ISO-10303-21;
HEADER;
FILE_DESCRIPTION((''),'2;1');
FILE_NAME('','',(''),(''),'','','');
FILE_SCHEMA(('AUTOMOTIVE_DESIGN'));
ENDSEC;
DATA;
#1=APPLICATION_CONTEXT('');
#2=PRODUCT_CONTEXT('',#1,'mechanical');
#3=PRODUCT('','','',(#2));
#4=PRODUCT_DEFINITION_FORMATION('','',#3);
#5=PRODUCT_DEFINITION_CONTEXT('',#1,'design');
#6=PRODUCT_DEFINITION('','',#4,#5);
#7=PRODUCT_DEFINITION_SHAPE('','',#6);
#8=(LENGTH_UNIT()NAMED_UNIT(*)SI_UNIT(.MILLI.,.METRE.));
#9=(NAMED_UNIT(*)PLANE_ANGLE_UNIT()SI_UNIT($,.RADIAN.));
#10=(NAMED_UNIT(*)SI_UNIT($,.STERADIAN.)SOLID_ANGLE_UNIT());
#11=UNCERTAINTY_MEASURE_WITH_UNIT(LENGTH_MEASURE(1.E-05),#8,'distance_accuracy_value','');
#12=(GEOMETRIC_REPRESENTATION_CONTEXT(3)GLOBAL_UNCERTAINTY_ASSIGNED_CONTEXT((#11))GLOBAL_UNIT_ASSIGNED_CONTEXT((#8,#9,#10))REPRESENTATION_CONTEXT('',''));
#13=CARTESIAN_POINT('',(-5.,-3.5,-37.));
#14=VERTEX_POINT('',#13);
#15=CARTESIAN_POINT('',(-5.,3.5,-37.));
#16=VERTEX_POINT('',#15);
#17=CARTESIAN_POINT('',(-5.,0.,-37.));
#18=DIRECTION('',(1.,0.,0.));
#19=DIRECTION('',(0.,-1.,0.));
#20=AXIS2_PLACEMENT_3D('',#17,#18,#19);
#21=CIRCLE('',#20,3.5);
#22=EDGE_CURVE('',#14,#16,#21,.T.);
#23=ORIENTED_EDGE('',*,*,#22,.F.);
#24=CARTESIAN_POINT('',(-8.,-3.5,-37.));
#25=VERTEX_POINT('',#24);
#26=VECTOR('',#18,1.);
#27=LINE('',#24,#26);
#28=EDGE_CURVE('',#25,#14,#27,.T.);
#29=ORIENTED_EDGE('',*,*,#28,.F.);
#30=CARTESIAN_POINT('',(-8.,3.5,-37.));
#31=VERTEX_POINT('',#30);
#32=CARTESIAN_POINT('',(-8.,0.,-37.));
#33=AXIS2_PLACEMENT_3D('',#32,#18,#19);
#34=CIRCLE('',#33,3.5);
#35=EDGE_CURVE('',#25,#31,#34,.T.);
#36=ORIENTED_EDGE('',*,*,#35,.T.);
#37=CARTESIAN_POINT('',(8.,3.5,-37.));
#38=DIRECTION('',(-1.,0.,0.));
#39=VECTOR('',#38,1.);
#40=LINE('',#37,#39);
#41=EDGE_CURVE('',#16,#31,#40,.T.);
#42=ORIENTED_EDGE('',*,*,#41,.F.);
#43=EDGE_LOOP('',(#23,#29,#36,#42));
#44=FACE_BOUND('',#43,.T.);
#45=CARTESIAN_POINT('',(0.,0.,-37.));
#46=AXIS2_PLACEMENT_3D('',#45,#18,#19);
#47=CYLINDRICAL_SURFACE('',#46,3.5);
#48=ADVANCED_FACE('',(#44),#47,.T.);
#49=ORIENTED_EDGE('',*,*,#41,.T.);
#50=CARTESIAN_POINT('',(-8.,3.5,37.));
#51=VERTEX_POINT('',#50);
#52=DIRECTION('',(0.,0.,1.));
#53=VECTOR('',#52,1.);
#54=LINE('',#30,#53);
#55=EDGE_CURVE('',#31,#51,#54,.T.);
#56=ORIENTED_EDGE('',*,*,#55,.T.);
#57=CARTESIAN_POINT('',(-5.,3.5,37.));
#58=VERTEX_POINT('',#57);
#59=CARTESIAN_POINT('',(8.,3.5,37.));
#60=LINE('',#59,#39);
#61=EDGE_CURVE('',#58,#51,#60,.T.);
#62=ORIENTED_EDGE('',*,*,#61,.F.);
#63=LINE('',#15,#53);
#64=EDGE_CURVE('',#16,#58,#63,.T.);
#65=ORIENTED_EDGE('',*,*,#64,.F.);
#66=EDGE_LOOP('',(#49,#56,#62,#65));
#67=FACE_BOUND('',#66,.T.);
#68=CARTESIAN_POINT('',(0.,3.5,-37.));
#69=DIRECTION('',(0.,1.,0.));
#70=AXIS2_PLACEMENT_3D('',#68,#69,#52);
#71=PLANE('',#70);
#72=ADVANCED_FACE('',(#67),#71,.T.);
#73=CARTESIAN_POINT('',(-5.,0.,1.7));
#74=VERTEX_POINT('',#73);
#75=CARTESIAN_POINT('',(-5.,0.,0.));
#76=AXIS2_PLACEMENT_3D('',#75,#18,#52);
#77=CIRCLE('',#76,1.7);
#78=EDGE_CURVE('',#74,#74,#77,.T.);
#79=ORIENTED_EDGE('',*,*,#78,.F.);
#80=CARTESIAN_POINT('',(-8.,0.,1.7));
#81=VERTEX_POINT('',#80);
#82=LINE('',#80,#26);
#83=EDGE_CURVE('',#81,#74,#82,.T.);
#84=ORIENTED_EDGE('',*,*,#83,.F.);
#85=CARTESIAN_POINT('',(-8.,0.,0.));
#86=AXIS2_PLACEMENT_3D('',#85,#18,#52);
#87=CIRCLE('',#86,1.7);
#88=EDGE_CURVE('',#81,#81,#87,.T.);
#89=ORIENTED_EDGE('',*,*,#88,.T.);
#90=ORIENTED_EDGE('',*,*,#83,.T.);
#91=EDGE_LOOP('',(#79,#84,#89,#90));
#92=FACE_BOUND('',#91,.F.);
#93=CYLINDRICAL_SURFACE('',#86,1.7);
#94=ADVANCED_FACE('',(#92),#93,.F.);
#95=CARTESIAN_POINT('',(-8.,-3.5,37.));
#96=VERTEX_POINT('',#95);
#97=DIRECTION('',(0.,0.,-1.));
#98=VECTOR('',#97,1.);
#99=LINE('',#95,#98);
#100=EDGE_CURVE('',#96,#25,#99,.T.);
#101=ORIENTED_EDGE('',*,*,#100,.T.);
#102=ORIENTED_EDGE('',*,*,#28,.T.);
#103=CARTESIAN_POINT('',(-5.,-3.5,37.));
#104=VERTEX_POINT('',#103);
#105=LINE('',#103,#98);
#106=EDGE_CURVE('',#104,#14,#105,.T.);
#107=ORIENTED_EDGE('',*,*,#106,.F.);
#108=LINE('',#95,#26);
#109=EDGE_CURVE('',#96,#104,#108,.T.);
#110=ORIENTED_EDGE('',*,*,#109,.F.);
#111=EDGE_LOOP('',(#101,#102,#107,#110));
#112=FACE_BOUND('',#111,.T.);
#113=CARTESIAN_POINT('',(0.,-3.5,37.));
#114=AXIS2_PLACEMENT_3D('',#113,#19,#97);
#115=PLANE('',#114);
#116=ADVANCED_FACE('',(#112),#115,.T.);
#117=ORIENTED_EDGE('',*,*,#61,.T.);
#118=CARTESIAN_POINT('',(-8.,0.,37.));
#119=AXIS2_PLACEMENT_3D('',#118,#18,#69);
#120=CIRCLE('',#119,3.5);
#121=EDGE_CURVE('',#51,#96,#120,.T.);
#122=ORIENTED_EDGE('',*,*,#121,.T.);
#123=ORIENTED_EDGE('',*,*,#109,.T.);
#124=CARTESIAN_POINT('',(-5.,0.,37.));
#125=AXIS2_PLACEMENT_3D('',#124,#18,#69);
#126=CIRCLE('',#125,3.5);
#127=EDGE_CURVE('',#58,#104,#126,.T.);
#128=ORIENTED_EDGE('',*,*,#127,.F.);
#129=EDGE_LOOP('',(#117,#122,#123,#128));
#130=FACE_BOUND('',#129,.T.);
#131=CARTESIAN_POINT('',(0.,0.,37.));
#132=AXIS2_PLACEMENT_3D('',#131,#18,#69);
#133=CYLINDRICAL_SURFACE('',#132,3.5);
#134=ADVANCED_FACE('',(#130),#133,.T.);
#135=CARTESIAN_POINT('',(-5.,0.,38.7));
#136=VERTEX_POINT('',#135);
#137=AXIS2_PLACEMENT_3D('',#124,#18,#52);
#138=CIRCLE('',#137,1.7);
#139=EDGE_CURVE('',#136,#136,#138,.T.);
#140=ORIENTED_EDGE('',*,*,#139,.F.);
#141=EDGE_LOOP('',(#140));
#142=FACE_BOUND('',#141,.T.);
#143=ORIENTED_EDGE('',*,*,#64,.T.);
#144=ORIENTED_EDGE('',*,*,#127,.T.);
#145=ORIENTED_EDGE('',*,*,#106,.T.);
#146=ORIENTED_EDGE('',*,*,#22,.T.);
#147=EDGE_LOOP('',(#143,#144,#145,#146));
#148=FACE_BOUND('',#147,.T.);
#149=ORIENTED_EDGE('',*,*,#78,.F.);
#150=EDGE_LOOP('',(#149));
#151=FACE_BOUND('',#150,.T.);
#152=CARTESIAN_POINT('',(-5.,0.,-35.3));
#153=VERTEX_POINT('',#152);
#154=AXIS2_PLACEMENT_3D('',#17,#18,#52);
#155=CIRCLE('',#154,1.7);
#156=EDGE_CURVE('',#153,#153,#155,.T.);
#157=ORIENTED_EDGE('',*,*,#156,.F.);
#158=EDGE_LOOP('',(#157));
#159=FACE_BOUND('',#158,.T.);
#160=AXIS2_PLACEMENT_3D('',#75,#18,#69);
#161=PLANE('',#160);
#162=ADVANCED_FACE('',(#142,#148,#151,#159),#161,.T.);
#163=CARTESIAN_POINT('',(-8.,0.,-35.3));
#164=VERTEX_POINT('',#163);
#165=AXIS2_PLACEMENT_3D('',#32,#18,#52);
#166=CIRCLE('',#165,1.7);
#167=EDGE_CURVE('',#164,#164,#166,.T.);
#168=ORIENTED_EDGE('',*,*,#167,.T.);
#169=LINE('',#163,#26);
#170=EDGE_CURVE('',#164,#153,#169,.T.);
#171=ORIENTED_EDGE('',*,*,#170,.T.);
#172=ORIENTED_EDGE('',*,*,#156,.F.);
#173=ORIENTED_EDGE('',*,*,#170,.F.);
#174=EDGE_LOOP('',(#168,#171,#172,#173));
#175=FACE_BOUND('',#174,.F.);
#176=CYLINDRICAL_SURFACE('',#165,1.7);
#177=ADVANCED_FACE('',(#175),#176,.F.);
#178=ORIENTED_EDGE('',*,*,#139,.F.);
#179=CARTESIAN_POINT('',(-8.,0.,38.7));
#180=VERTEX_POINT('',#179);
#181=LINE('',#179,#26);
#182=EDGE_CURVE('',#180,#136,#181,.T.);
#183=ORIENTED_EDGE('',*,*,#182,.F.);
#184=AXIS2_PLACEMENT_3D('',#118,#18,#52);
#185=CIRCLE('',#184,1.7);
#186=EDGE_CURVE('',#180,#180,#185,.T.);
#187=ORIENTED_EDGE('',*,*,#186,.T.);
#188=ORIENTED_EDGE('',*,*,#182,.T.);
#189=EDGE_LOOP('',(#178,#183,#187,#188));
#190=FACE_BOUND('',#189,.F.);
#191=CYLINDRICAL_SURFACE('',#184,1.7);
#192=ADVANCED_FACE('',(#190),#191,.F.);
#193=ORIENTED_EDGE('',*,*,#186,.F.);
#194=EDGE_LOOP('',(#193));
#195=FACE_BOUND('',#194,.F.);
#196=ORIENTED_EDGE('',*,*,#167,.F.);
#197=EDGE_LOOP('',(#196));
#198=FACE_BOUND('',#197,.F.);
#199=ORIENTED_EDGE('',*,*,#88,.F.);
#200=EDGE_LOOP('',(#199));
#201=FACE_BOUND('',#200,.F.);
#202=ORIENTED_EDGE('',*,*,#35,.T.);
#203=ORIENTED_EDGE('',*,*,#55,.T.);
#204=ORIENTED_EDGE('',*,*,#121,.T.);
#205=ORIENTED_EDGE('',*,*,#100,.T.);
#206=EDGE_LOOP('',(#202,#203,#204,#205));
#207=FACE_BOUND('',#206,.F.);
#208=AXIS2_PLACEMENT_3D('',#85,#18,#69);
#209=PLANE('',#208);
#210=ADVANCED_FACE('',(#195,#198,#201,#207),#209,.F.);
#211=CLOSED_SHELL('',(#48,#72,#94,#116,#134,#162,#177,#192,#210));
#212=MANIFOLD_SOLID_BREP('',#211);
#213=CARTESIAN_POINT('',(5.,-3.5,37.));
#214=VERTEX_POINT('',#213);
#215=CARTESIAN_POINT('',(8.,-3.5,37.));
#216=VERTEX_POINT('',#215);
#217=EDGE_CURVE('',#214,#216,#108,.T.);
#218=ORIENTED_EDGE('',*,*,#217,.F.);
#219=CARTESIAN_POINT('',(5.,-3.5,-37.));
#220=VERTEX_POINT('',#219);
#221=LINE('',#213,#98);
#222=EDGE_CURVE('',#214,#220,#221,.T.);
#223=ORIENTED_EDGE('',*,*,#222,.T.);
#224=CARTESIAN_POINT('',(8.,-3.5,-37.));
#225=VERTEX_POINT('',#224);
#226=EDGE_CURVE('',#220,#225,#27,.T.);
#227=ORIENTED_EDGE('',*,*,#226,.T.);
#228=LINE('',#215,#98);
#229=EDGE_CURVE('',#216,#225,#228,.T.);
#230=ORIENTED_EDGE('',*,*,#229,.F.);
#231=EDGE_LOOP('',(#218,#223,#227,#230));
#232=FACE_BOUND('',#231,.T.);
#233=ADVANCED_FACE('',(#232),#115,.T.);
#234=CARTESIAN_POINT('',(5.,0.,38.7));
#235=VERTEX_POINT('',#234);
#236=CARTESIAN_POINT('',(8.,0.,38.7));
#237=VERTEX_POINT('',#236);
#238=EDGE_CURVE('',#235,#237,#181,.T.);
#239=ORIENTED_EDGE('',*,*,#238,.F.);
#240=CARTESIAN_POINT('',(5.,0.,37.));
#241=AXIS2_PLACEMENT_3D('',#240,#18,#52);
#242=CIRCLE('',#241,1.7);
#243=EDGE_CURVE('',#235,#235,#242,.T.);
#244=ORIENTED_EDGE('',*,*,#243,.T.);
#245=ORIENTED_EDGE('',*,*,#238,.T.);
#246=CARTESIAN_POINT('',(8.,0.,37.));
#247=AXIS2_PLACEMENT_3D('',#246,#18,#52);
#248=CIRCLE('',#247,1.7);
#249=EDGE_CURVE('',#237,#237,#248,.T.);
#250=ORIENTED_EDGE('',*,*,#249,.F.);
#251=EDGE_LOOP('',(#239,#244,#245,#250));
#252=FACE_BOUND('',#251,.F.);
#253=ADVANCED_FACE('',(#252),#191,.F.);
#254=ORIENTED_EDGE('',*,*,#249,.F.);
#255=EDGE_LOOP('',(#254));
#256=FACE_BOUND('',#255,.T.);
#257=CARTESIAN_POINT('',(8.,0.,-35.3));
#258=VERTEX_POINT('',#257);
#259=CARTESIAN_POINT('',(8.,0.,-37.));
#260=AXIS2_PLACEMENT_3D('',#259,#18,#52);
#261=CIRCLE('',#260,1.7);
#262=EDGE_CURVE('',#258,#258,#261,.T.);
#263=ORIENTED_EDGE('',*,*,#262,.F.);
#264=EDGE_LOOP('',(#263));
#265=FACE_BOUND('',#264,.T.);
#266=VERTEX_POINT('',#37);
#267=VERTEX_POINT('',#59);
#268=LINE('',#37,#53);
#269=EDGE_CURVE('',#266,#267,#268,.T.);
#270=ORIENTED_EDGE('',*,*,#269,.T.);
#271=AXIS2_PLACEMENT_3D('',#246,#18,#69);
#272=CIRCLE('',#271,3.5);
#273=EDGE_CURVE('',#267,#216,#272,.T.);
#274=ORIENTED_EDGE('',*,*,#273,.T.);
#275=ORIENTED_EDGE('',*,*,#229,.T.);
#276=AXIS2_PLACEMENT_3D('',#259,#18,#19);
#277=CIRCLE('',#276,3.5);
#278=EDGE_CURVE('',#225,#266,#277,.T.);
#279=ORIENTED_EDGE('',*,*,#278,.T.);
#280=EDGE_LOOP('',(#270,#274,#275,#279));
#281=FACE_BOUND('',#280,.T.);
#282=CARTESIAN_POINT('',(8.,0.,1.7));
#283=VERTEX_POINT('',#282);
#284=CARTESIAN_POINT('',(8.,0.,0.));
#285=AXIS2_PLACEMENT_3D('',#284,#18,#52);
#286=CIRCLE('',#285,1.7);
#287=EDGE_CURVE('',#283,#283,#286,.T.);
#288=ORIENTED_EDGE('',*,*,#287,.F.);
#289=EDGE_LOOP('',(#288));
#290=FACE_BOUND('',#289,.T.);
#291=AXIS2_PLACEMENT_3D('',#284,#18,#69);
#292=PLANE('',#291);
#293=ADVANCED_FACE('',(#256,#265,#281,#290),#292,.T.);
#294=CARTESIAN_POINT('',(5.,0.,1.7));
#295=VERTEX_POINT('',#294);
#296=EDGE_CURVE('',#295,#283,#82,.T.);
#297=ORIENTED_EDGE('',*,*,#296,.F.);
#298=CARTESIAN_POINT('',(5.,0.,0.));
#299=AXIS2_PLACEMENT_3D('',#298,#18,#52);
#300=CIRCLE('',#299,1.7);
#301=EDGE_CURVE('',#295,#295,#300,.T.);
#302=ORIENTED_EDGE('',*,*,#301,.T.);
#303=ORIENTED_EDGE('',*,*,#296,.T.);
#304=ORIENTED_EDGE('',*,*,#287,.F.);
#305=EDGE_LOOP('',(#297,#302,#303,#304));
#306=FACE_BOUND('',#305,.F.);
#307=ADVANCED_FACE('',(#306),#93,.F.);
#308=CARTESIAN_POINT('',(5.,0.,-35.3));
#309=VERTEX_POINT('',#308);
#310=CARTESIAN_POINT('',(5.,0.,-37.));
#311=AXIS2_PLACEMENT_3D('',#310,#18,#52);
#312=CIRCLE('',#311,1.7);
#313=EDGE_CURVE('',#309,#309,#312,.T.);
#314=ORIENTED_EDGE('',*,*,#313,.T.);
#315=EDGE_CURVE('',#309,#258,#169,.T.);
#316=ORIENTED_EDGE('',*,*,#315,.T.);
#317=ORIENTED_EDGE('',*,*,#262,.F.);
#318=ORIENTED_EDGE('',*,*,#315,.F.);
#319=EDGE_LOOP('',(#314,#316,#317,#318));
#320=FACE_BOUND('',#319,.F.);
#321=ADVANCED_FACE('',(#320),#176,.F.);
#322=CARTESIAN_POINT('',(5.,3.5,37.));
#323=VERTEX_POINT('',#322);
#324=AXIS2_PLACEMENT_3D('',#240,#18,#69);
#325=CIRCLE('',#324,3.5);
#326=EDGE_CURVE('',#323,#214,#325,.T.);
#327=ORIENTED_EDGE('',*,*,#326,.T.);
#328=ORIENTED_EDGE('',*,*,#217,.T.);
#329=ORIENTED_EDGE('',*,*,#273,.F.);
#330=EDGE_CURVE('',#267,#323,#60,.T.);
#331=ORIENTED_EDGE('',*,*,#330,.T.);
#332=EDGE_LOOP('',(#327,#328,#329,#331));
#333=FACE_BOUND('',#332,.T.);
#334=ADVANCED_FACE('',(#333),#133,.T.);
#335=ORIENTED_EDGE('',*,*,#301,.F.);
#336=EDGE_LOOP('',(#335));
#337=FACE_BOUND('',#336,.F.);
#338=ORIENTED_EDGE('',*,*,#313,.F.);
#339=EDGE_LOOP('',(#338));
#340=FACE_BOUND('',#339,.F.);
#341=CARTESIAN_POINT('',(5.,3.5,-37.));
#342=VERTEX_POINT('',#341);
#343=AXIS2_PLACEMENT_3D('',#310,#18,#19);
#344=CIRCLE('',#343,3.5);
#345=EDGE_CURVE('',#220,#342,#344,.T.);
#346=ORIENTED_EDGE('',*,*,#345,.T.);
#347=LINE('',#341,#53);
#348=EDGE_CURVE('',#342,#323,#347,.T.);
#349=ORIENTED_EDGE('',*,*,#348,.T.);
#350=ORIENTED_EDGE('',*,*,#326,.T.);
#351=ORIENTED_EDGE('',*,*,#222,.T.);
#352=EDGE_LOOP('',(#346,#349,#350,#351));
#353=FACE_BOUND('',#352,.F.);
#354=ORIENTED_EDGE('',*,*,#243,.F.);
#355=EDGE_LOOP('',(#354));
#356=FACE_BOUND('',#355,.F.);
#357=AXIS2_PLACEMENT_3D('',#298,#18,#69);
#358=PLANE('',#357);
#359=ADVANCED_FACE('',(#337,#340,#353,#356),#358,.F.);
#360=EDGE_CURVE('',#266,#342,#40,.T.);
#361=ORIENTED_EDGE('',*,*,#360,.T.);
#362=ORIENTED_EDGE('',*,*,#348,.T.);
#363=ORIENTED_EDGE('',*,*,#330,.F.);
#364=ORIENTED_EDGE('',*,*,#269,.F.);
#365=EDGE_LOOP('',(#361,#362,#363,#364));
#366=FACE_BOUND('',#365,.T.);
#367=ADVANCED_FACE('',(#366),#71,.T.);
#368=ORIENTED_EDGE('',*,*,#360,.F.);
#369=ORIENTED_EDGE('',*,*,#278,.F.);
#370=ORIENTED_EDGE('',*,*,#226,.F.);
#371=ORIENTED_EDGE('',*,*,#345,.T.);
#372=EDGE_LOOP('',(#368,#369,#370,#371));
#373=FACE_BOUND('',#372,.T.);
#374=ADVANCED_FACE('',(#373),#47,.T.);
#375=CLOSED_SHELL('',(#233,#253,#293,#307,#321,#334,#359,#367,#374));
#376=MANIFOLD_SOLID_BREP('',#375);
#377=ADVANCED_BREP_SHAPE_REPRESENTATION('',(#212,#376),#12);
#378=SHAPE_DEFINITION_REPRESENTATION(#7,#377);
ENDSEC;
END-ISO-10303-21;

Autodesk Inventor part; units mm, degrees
ref_plane "YZ Plane" through (0, 0, 0) normal (1, 0, 0) x (0, 1, 0)
ref_plane "XZ Plane" through (0, 0, 0) normal (0, 1, 0) x (-1, 0, 0)
ref_plane "XY Plane" through (0, 0, 0) normal (0, 0, 1) x (1, 0, 0)
sketch "Sketch1" plane through (0, 0, 0) normal (1, 0, 0) x (0, 1, 0)
  line L0 (0, 37) -> (0, -37) construction
  line L1 (-3.5, 37) -> (-3.5, -37)
  line L2 (3.5, -37) -> (3.5, 37)
  arc A0 (3.5, 37) -> (-3.5, 37) centre (0, 37) ccw
  arc A1 (-3.5, -37) -> (3.5, -37) centre (0, -37) ccw
  circle A2 centre (0, -37) radius 1.5
  circle A3 centre (0, 0) radius 1.5
  circle A4 centre (0, 37) radius 1.5
  point P0 (0, 40.5)
  point P1 (0, -40.5)
  dimension "d14" = 7
  dimension "d15" = 81
  dimension "d16" = 3
extrude "Extrusión3" add sketch "Sketch1" along normal mid plane 16 contours A0 L2 A1 L1 | A2 | A3 | A4
extrude "Extrusión4" cut sketch "Sketch1" along normal mid plane 10 contours A0 L2 A1 L1 | A3
sketch "Boceto2" plane through (-8, 0, 0) normal (-1, 0, 0) x (0, 0, 1)
  circle A0 centre (37, 0) radius 1.5 projected
  circle A1 centre (-37, 0) radius 1.5 projected
  point P0 (0, 0)
  point P1 (0, 0)
hole "Agujero1" at (-8, 0, 37) at (-8, 0, -37) at (-8, 0, 0) direction (1, 0, 0) diameter 3.4 end through all clearance for "Tornillo de cabeza plana avellanada ISO 2009/7046" size "M3" standard "ISO"
equation "\"d19\" = Dedos"
equation "\"Dedos\" = 10"
properties part number "Corredera I" material "Aluminio 6061"
